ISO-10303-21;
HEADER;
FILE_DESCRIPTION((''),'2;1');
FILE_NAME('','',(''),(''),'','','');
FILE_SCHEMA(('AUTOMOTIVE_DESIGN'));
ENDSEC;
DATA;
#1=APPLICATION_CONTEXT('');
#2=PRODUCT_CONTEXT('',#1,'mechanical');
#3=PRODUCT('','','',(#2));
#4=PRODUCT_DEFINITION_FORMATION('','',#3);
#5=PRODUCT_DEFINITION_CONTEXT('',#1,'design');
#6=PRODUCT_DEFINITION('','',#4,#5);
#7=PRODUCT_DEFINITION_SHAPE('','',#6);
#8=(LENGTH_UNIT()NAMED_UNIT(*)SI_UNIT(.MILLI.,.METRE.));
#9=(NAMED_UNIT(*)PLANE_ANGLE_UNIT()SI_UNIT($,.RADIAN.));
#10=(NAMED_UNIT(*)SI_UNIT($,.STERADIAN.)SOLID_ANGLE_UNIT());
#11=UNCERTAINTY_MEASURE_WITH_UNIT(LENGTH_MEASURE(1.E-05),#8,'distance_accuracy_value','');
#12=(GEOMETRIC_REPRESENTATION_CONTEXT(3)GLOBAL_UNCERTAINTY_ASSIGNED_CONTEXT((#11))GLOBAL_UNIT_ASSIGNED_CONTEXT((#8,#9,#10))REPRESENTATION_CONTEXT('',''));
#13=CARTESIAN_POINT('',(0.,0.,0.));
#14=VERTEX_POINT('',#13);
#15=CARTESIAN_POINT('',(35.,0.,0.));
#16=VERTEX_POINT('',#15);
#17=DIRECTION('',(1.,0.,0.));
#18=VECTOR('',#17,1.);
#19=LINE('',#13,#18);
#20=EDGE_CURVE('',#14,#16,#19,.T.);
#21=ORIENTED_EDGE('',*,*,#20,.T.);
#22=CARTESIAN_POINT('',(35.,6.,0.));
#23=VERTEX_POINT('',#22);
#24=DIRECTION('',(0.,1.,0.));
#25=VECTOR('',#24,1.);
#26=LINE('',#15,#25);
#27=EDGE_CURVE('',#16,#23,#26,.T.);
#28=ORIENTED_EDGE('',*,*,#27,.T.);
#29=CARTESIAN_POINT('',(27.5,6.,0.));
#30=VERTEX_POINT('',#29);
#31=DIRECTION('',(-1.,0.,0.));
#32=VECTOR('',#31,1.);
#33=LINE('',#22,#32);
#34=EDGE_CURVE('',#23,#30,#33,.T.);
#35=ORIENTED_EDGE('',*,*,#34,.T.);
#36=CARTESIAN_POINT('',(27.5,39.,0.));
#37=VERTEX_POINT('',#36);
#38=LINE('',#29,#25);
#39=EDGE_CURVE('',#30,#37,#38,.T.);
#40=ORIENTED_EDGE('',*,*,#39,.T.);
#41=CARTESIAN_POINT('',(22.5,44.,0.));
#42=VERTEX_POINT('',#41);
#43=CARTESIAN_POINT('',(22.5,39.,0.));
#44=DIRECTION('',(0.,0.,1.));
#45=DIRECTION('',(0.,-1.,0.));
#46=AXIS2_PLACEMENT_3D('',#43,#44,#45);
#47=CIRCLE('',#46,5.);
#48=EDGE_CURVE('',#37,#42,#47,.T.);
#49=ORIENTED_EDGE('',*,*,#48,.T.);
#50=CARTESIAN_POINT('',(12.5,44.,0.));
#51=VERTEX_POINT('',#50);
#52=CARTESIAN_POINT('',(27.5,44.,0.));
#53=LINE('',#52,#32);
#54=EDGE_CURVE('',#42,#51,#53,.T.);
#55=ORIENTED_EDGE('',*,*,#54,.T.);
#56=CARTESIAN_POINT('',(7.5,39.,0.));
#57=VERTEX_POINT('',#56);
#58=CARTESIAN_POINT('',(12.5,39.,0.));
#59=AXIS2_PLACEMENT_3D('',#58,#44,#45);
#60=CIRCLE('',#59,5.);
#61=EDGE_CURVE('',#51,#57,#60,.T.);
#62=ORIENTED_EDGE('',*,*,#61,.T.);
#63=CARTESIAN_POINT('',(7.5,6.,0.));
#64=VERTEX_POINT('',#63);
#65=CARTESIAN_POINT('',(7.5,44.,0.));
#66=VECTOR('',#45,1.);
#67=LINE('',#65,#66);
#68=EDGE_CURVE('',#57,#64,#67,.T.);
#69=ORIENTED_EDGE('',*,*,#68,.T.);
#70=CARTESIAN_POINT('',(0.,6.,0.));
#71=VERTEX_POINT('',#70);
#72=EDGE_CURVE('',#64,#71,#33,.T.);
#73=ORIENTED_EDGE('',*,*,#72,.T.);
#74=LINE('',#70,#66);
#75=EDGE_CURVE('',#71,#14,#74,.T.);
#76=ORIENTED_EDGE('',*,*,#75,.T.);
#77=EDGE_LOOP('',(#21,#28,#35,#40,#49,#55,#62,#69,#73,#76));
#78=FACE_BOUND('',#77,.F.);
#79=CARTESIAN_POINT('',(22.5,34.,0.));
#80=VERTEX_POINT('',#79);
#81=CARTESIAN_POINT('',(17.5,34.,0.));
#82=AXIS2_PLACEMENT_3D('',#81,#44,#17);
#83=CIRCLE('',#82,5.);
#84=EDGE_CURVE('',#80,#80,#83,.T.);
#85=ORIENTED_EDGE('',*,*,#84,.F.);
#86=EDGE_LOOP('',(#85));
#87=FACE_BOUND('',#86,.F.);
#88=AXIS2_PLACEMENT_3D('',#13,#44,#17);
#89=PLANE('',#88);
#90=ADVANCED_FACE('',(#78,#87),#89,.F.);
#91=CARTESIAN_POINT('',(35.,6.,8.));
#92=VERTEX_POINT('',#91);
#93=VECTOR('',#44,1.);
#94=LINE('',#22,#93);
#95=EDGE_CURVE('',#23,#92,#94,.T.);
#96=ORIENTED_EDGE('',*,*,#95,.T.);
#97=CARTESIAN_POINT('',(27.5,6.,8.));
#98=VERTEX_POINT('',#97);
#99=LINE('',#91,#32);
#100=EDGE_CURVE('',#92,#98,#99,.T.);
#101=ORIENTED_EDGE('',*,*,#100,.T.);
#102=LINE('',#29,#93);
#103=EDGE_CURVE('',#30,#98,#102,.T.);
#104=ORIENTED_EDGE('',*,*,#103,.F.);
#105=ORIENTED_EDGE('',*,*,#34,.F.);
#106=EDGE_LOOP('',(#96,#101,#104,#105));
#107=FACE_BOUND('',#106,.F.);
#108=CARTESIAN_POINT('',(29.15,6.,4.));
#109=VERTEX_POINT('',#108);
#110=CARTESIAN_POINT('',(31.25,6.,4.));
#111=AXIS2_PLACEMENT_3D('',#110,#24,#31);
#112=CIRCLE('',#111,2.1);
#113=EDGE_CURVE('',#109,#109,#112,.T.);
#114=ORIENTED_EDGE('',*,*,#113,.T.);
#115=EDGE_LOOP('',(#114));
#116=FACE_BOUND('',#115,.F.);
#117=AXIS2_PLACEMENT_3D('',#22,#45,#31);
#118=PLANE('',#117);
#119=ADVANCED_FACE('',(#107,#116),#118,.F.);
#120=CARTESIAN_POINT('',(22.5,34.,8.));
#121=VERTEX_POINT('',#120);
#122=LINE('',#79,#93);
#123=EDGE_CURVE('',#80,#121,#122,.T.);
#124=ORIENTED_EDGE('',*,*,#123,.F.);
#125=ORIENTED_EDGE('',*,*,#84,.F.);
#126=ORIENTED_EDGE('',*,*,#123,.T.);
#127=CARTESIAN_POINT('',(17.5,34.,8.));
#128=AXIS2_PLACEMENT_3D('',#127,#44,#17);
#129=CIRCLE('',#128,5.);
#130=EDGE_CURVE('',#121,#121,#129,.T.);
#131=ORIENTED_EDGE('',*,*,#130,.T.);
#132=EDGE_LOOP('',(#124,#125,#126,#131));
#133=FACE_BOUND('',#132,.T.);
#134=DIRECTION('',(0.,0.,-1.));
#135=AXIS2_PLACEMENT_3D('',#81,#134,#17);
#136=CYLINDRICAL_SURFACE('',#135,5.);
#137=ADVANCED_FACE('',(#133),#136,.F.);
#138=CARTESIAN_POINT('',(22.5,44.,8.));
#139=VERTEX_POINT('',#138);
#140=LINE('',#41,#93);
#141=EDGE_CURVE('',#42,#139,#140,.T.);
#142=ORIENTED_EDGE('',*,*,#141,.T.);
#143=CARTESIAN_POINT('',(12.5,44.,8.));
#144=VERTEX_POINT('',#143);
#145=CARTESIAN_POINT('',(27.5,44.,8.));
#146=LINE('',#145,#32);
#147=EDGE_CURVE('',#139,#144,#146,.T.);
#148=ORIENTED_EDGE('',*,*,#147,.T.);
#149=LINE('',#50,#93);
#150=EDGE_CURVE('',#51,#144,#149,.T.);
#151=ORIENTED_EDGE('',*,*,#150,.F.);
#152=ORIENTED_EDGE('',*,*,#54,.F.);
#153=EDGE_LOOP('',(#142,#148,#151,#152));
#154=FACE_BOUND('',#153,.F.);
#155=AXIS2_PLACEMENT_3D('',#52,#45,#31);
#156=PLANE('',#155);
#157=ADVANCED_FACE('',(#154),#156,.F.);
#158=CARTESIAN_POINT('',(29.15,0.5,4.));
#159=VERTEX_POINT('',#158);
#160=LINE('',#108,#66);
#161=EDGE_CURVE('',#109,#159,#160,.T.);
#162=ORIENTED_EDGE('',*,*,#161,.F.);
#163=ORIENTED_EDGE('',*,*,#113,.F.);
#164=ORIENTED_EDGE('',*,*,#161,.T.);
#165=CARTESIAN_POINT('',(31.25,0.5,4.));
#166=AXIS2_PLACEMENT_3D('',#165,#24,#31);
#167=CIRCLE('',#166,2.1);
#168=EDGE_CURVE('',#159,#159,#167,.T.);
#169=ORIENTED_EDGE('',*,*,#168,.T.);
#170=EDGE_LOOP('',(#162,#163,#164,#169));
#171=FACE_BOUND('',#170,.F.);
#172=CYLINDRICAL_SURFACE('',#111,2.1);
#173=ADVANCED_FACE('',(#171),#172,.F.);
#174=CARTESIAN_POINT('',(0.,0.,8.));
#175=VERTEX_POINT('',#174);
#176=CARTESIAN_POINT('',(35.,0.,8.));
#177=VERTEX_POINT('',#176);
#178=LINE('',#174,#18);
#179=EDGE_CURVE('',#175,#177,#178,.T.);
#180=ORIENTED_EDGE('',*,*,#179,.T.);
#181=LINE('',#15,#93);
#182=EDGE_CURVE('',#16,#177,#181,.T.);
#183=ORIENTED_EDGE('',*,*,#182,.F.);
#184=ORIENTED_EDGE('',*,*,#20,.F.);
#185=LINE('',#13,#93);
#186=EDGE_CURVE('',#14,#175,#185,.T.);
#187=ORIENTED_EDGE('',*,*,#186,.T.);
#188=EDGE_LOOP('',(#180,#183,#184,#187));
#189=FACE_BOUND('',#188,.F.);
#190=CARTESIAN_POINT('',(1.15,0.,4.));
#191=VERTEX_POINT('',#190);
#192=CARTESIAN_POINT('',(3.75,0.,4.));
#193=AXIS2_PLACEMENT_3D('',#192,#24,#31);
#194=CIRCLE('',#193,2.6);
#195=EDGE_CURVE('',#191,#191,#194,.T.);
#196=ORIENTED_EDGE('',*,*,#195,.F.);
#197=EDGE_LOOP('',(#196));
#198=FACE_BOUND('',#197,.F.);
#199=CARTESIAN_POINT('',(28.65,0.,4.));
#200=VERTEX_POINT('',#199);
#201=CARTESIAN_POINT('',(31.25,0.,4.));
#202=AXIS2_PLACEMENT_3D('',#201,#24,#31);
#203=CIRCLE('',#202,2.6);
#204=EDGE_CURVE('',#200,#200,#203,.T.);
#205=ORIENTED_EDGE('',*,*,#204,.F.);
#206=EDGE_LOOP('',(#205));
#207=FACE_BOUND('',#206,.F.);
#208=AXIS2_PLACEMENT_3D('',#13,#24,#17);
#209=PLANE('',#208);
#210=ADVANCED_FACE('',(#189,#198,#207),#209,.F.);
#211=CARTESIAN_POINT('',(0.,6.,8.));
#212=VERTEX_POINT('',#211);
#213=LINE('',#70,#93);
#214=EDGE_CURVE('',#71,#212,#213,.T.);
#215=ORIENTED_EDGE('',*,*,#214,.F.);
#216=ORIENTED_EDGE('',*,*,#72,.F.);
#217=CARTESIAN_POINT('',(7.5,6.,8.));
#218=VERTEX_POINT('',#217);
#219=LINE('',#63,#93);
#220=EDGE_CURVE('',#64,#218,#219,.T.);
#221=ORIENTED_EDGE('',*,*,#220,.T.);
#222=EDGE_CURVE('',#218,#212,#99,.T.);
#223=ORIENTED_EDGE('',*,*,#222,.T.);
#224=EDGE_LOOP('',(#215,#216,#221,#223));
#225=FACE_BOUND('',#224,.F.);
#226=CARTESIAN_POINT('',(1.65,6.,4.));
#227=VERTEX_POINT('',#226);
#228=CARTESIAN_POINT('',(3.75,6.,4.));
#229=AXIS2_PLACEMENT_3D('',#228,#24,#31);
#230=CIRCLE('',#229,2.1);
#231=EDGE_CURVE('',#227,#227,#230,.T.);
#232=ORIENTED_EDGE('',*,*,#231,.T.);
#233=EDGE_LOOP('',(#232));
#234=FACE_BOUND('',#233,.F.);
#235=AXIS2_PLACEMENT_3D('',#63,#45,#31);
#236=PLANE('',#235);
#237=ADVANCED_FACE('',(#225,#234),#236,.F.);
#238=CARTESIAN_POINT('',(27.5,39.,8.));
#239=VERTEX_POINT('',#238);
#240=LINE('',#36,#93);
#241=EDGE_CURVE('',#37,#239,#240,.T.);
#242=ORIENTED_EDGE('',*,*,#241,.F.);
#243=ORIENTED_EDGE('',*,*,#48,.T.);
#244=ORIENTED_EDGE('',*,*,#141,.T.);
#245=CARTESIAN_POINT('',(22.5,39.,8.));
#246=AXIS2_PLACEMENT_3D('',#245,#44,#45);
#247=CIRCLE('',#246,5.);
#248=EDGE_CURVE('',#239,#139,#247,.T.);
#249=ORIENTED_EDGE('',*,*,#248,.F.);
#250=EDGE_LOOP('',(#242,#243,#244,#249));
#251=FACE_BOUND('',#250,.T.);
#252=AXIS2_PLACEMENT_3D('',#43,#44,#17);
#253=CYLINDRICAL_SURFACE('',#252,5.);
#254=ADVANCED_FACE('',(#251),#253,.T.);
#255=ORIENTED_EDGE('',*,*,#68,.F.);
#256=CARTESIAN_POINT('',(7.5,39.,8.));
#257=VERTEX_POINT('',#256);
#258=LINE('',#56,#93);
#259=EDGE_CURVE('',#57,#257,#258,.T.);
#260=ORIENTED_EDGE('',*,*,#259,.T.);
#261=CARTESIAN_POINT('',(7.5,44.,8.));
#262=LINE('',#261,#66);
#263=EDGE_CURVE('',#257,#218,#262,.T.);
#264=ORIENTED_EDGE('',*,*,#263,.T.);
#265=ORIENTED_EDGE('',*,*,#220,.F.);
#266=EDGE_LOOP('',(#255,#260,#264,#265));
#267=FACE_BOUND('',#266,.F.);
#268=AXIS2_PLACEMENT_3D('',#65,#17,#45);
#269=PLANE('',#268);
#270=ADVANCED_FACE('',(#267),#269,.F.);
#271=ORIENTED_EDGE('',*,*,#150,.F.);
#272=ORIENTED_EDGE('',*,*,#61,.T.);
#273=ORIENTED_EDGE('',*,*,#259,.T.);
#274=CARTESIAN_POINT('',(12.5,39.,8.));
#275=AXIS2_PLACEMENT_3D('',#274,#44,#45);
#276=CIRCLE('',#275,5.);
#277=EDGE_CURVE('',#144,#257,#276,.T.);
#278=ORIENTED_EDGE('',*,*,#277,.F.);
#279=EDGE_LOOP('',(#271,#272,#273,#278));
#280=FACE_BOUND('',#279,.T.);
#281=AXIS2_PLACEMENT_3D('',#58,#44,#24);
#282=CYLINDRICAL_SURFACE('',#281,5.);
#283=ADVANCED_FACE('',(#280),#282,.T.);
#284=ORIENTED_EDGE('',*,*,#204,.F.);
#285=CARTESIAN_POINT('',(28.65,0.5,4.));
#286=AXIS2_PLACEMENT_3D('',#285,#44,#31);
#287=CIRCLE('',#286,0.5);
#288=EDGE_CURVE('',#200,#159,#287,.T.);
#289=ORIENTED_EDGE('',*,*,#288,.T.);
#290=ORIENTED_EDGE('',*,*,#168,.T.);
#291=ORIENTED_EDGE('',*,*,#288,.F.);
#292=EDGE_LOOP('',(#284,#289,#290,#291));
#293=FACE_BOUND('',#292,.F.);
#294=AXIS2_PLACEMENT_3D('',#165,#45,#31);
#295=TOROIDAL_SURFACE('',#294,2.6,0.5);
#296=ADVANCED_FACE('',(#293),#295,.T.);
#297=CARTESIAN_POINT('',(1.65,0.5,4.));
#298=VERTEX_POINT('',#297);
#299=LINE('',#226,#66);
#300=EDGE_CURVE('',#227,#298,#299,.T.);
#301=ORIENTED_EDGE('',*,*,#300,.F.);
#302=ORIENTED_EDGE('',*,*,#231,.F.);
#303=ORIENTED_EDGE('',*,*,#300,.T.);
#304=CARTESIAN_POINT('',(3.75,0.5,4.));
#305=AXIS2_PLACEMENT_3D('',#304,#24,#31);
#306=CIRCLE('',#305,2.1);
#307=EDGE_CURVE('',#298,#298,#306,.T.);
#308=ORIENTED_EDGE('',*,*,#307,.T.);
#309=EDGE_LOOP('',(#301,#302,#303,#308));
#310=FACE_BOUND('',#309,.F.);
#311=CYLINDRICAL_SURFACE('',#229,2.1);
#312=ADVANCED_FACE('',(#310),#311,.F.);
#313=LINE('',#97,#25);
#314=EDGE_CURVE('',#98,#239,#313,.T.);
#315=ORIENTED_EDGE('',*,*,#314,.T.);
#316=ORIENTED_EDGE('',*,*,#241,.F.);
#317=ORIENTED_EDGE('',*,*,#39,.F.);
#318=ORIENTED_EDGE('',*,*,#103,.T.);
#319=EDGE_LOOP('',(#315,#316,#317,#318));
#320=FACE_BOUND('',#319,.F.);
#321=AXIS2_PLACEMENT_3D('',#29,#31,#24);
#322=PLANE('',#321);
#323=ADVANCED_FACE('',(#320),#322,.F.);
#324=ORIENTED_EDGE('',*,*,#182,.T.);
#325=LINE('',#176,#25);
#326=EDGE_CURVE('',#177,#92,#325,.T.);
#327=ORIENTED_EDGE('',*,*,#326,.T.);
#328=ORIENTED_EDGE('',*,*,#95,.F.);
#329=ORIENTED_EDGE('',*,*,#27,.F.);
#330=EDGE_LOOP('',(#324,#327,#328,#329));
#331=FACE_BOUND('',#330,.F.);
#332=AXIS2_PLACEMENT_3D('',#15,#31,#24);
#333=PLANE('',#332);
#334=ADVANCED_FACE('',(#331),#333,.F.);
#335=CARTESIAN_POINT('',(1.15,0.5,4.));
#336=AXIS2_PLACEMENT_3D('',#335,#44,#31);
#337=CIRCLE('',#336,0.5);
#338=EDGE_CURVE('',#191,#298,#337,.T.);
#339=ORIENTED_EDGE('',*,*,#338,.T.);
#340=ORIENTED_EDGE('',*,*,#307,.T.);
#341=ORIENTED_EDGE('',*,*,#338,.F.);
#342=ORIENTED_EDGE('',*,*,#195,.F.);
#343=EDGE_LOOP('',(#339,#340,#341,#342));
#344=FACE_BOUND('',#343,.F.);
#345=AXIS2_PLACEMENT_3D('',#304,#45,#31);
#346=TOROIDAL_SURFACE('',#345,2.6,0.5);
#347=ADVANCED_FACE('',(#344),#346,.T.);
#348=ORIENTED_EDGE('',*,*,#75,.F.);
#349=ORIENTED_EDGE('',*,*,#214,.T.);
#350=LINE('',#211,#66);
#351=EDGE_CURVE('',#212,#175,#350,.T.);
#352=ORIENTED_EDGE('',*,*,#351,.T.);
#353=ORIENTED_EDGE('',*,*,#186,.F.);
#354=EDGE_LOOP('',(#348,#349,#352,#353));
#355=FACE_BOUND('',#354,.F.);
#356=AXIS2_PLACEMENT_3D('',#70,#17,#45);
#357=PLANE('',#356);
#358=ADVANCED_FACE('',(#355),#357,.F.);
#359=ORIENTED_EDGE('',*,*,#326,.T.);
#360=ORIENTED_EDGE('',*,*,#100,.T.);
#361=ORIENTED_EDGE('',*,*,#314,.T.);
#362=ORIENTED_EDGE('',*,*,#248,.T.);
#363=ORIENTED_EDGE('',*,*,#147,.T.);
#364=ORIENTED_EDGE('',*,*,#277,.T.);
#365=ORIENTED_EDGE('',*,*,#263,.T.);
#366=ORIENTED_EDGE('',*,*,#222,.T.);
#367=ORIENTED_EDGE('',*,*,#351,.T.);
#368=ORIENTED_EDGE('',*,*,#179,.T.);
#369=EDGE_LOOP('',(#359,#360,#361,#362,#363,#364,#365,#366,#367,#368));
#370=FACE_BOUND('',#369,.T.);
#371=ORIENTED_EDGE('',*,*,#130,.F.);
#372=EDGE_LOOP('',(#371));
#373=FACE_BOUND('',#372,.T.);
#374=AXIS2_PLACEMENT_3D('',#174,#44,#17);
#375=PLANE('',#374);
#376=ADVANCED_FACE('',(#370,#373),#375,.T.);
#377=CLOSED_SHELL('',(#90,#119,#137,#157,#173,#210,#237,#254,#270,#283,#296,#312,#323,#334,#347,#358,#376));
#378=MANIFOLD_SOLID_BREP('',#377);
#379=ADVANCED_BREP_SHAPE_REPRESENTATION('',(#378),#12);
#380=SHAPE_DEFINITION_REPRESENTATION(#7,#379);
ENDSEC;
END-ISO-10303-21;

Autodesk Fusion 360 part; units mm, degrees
sketch "Esquisse1" plane through (0, 0, 0) normal (0, 0, 1) x (1, 0, 0)
  line L0 (0, 0) -> (35, 0)
  line L1 (35, 0) -> (35, 6)
  line L2 (35, 6) -> (0, 6)
  line L3 (0, 6) -> (0, 0)
  line L4 (7.5, 6) -> (27.5, 6)
  line L5 (27.5, 6) -> (27.5, 44)
  line L6 (27.5, 44) -> (7.5, 44)
  line L7 (7.5, 44) -> (7.5, 6)
  circle A0 centre (17.5, 34) radius 5
  line L8 (7.5, 44) -> (27.5, 44) construction
  line L9 (27.5, 44) -> (27.5, 24) construction
  line L10 (27.5, 24) -> (7.5, 24) construction
  line L11 (7.5, 24) -> (7.5, 44) construction
  line L12 (7.5, 44) -> (27.5, 24) construction
  line L13 (27.5, 44) -> (7.5, 24) construction
  dimension "d1" = 35
  dimension "d2" = 6
  dimension "d3" = 20
  dimension "d5" = 10
  dimension "d6" = 20
  dimension "d7" = 20
  dimension "d10" = 34
extrude "Extrusion1" add sketch "Esquisse1" along normal blind 8
sketch "Esquisse2" plane through (0, 6, 0) normal (0, 1, 0) x (-1, 0, 0)
  line L0 (-7.5, 0) -> (0, 0)
  line L1 (0, 0) -> (0, 8)
  line L2 (0, 8) -> (-7.5, 8)
  line L3 (-7.5, 8) -> (-7.5, 0)
  circle A0 centre (-3.75, 4) radius 2.1
  line L4 (0, 0) -> (-7.5, 8) construction
  line L5 (-7.5, 0) -> (0, 8) construction
  dimension "d11" = 4.2
sketch "Esquisse3" plane through (0, 6, 0) normal (0, 1, 0) x (-1, 0, 0)
  line L0 (-35, 0) -> (-27.5, 0)
  line L1 (-27.5, 0) -> (-27.5, 8)
  line L2 (-27.5, 8) -> (-35, 8)
  line L3 (-35, 8) -> (-35, 0)
  line L4 (-27.5, 0) -> (-35, 8) construction
  line L5 (-35, 0) -> (-27.5, 8) construction
  circle A0 centre (-31.25, 4) radius 2.1
  dimension "d12" = 4.2
extrude "Extrusion2" cut sketch "Esquisse2" sketch "Esquisse3" against normal blind 10 contours A0 of sketch 2 contours A0
fillet "Congé1" radius 0.5 2 edges at (5.7079, 0, 3.2406) (33.2079, 0, 3.2406)
fillet "Congé2" radius 5 2 edges at (7.5, 44, 4) (27.5, 44, 4)
